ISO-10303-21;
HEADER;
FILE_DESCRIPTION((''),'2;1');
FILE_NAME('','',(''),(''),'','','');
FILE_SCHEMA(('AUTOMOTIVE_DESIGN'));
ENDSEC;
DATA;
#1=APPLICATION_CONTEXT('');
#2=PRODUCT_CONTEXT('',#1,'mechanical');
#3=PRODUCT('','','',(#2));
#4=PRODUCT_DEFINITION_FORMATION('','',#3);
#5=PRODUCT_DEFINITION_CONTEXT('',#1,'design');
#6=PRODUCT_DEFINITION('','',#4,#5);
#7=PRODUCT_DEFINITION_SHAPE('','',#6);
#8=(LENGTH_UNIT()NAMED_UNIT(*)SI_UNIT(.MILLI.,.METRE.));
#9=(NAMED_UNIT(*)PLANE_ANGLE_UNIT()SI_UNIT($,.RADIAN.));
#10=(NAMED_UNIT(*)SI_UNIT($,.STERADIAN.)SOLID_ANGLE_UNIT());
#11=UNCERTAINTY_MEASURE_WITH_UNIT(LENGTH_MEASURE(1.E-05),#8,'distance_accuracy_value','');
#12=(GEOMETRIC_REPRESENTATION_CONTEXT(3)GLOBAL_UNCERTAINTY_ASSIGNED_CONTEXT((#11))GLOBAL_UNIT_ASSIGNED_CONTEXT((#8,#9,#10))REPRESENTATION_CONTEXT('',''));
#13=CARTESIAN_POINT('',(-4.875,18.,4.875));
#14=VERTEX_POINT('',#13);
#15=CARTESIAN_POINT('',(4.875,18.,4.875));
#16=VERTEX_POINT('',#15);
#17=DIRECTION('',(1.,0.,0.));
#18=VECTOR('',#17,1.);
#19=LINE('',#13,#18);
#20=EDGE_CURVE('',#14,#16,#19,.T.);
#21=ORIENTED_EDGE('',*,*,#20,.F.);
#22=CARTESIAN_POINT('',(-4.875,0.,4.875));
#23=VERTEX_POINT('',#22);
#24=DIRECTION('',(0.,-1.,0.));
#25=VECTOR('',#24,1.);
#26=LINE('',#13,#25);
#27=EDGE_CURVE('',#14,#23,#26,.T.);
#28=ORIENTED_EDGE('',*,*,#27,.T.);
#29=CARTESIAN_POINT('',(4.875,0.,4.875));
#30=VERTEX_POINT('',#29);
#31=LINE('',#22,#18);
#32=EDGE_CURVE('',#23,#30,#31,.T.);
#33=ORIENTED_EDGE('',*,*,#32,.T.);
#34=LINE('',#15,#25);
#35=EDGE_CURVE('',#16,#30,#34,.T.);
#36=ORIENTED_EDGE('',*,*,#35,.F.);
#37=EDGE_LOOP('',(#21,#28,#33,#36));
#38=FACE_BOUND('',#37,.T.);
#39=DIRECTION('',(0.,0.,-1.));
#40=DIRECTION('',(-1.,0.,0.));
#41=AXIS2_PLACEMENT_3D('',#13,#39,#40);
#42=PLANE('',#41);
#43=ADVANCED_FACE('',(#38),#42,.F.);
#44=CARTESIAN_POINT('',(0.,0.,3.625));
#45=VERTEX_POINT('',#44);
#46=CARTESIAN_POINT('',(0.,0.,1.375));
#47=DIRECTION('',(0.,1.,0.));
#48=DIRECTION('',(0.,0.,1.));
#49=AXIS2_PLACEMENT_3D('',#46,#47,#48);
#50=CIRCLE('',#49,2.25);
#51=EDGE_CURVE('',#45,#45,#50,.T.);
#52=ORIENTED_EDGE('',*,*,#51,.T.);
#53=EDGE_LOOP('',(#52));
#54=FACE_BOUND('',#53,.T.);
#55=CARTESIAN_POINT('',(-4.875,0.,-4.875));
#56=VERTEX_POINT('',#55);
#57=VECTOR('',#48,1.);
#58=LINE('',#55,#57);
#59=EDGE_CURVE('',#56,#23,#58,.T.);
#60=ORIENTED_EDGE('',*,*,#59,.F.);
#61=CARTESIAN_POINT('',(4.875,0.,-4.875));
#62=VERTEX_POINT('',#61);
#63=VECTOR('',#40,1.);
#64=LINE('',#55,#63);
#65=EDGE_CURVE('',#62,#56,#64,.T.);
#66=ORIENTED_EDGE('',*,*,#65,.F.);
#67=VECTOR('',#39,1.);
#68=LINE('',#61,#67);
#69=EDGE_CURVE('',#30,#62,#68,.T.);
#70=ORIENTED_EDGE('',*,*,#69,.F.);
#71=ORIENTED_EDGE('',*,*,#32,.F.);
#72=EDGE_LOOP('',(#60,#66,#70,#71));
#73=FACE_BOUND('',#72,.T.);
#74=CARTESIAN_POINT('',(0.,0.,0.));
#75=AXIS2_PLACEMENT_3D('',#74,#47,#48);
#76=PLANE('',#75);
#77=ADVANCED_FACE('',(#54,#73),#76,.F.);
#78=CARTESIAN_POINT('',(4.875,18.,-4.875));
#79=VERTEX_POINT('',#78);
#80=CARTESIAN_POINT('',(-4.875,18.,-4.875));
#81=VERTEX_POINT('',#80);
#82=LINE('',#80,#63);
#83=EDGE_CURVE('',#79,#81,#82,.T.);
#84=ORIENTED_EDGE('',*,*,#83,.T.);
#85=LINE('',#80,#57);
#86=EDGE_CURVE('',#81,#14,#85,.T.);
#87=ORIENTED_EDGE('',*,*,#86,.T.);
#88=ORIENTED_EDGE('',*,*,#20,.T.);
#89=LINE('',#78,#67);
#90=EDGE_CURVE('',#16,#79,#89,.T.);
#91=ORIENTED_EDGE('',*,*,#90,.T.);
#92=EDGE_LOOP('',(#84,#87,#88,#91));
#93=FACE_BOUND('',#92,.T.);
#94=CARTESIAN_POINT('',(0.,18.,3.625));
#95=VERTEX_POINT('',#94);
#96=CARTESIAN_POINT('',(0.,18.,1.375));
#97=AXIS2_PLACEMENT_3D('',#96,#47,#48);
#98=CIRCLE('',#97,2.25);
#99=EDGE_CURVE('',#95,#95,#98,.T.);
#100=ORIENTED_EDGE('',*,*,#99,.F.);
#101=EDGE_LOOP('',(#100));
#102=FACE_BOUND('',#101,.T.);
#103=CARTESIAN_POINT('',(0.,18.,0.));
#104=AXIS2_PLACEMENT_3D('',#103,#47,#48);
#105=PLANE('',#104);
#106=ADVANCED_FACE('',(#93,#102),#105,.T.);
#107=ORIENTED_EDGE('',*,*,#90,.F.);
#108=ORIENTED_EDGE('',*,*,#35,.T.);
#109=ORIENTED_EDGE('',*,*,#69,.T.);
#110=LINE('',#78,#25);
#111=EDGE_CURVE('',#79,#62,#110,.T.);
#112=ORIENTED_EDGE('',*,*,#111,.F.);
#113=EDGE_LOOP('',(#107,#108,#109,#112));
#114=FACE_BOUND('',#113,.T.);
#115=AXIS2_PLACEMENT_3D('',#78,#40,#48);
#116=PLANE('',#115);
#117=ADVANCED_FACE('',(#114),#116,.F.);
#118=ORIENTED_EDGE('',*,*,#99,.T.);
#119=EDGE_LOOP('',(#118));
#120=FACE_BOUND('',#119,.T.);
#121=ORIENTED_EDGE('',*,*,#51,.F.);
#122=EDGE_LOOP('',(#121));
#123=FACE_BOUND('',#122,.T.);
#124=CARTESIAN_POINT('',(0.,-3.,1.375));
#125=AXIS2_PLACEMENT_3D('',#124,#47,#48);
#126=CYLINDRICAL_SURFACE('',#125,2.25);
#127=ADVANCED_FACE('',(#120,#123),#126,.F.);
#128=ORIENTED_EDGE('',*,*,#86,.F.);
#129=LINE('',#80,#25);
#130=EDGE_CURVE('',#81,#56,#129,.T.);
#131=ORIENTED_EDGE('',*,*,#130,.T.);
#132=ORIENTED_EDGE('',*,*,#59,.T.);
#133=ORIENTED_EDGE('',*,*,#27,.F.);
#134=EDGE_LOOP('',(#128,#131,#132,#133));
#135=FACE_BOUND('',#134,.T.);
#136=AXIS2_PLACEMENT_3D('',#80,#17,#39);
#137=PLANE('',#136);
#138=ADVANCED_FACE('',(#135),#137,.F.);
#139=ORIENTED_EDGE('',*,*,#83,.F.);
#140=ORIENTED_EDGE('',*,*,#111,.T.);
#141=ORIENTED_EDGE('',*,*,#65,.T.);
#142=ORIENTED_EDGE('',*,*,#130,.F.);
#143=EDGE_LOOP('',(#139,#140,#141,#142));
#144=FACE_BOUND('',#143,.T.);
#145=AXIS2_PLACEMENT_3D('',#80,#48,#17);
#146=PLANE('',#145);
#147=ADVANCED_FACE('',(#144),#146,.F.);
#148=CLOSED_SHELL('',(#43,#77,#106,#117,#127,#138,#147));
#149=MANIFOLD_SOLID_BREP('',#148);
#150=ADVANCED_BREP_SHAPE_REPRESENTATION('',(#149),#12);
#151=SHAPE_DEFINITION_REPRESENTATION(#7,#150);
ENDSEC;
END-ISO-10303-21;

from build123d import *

# Parameters (mm, degrees)
SKETCH2_W           = 9.75
SKETCH2_H           = 9.75
BOSS_EXTRUDE1_DEPTH = 18
SKETCH3_R           = 2.25
CUT_EXTRUDE1_DEPTH  = 21


with BuildPart() as part:
    # Sketch2 → Boss-Extrude1 (new body)
    with BuildSketch(Plane(origin=(0, 0, 0), x_dir=(1, 0, 0), z_dir=(0, 1, 0))):
        Rectangle(SKETCH2_W, SKETCH2_H)
    extrude(amount=BOSS_EXTRUDE1_DEPTH)

    # Sketch3 → Cut-Extrude1 (cut)
    with BuildSketch(Plane(origin=(0, 18, 0), x_dir=(1, 0, 0), z_dir=(0, 1, 0))):
        with Locations((0, -1.375)):
            Circle(SKETCH3_R)
    extrude(amount=-CUT_EXTRUDE1_DEPTH, mode=Mode.SUBTRACT)


solid = part.part
